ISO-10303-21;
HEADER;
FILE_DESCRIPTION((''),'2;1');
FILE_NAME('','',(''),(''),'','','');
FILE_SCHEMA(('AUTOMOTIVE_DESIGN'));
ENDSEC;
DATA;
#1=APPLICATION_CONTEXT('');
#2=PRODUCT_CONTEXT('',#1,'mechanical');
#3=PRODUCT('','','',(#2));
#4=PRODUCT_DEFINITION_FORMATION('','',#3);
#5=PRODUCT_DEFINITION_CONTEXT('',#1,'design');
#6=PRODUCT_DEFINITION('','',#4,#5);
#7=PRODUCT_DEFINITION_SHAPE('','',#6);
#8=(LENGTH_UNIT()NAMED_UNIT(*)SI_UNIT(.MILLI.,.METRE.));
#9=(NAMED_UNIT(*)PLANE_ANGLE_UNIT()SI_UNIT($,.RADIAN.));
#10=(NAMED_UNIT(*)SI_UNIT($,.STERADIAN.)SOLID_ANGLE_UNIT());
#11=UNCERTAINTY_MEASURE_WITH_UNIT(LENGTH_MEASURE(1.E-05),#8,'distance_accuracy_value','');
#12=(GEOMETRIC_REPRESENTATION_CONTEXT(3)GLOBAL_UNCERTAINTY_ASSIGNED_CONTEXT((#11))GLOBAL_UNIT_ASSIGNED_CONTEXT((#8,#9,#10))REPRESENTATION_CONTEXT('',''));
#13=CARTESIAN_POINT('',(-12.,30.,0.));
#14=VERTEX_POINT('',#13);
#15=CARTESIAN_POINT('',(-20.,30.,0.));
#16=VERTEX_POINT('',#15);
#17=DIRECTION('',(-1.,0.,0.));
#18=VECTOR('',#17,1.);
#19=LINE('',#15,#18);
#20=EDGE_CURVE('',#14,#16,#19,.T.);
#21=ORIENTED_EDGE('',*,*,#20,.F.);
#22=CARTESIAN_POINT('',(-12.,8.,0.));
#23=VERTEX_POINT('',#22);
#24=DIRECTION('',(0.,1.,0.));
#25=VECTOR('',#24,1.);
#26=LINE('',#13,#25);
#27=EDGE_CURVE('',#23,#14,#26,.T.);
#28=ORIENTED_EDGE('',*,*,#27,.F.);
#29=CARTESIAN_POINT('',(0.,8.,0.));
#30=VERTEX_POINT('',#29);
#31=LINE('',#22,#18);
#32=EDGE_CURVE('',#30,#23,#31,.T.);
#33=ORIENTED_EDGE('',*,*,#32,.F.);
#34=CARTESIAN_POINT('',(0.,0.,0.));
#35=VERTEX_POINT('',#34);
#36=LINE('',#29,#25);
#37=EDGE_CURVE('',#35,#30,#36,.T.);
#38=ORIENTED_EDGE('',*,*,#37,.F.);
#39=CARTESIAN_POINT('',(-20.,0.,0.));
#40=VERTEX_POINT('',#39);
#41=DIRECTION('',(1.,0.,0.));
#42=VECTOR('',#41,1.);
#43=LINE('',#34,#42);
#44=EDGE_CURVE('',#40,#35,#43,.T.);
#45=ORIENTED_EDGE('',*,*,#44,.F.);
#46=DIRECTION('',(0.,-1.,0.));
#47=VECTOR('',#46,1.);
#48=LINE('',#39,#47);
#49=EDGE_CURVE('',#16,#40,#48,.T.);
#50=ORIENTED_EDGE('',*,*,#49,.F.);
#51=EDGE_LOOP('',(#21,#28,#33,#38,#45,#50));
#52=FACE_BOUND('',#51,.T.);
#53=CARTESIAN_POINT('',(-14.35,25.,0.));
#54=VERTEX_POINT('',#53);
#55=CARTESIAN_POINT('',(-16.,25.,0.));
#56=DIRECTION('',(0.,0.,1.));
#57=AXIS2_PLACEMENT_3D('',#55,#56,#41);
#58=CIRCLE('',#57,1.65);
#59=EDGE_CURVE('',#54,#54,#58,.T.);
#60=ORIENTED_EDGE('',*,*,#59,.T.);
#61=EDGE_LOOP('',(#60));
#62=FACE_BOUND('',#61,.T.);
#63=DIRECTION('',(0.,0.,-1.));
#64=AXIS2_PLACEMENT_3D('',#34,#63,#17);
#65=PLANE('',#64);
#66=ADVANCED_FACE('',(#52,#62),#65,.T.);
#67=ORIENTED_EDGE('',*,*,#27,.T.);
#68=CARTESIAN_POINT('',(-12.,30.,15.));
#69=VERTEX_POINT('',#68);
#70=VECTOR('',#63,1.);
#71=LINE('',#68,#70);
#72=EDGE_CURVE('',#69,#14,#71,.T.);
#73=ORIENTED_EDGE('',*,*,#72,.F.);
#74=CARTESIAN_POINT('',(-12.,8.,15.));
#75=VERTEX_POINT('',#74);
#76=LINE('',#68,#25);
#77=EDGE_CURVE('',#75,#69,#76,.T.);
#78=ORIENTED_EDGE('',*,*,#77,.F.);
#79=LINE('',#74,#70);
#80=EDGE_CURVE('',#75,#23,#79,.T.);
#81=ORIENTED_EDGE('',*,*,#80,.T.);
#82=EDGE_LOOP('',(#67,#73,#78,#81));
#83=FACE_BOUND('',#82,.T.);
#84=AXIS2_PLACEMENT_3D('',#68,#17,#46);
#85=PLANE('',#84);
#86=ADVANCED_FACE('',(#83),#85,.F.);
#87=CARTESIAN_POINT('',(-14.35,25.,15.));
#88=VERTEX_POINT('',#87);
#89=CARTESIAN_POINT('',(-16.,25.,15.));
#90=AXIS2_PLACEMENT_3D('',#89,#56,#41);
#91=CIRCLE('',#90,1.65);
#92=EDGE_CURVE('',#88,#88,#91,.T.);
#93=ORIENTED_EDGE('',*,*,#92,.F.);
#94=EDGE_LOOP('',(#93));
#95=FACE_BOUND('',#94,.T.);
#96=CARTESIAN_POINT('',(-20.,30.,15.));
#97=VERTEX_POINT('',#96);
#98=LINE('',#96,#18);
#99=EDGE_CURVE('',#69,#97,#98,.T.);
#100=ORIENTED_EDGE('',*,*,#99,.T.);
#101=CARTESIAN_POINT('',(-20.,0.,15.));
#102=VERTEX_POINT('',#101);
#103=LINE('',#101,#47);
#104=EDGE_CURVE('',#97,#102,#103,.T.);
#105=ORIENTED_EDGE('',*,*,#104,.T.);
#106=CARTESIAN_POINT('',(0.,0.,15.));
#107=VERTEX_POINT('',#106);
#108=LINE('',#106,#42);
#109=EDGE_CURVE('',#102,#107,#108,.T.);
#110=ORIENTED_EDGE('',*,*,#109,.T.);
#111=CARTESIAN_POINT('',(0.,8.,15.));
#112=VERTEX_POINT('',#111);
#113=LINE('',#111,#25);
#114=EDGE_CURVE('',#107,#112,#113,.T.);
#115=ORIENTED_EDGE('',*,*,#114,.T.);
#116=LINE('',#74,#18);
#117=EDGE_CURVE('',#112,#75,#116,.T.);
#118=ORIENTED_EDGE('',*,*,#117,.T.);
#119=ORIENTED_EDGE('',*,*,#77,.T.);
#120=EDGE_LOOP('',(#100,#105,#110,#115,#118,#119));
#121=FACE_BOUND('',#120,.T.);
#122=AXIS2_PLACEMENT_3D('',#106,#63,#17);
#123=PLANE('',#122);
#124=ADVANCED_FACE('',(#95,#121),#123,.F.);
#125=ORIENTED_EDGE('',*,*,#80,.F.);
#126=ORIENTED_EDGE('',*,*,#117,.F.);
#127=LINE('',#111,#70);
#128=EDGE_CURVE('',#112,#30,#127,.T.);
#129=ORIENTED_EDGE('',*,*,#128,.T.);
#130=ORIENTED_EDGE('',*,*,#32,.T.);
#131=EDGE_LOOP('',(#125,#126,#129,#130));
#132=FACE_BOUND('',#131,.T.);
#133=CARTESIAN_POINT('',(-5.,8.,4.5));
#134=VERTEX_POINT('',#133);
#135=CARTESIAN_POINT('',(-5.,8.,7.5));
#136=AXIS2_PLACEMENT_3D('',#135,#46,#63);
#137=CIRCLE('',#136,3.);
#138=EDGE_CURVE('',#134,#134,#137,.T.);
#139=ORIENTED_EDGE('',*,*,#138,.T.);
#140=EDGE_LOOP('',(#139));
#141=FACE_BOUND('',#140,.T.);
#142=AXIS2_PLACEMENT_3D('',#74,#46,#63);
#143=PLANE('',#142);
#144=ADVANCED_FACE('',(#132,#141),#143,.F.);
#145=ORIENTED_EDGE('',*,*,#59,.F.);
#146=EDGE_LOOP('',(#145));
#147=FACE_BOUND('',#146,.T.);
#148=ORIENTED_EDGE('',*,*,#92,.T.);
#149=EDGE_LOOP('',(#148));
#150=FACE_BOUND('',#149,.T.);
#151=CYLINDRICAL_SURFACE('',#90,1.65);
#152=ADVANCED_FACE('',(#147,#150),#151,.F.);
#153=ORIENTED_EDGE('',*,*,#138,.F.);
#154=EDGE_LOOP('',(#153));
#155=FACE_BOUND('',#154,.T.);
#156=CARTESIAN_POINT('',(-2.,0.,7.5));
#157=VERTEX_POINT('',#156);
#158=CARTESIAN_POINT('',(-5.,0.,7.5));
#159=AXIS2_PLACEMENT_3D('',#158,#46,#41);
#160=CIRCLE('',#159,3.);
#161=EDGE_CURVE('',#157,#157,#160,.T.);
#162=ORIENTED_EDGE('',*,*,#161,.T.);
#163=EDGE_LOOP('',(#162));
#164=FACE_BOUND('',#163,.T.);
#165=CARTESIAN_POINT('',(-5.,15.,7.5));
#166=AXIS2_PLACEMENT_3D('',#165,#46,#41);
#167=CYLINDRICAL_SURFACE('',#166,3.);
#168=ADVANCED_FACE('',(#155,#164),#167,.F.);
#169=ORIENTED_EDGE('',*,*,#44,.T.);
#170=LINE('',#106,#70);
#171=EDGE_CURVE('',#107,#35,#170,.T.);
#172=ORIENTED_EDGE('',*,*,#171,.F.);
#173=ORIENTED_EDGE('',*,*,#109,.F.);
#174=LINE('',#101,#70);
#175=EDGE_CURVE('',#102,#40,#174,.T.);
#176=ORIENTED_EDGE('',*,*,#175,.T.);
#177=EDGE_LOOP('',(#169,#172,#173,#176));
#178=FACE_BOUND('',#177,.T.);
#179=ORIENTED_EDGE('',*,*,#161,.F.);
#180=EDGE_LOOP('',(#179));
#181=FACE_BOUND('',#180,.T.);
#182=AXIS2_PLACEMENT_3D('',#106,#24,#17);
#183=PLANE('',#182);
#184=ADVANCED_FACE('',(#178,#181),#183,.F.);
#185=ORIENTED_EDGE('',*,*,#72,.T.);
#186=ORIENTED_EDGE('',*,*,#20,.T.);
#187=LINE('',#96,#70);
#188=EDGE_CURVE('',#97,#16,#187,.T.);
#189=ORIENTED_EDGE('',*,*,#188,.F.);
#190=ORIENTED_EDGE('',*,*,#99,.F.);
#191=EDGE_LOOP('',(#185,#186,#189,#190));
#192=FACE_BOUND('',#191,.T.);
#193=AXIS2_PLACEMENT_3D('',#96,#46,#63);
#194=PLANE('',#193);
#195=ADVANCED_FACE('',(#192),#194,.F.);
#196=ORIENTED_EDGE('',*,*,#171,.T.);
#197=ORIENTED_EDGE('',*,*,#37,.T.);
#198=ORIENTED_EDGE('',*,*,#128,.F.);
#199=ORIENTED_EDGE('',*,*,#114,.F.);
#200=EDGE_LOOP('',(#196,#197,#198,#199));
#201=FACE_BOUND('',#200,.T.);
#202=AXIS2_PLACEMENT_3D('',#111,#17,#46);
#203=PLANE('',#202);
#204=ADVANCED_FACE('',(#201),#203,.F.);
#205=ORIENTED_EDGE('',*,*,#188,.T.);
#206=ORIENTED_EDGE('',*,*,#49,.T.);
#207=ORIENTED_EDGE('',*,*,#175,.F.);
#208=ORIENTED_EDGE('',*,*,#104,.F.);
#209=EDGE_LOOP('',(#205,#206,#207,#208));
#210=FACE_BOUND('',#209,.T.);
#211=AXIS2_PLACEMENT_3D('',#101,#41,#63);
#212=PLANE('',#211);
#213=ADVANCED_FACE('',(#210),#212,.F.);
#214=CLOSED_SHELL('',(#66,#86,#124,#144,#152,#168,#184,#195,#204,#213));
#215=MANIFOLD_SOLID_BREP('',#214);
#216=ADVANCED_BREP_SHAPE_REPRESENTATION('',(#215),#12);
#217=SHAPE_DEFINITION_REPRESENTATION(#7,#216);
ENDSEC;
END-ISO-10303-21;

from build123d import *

# Parameters (mm, degrees)
ESTRUSIONE_ESTRUSIONE1_DEPTH = 15
SCHIZZO2_R                   = 3
TAGLIO_ESTRUSIONE1_DEPTH     = 15
FORO_FILETTATO_M4_1_D        = 3.3


with BuildPart() as part:
    # Schizzo1 → Estrusione-Estrusione1 (new body)
    with BuildSketch(Plane.XY):
        Polygon((0, 0), (-20, 0), (-20, 30), (-12, 30), (-12, 8), (0, 8), align=None)
    extrude(amount=ESTRUSIONE_ESTRUSIONE1_DEPTH)

    # Schizzo2 → Taglio-Estrusione1 (cut)
    with BuildSketch(Plane.XZ):
        with Locations((-5, 7.5)):
            Circle(SCHIZZO2_R)
    extrude(amount=-TAGLIO_ESTRUSIONE1_DEPTH, mode=Mode.SUBTRACT)

    # Foro filettato M4-1 (through all)
    with Locations(Plane.XY.offset(15)):
        with Locations((-16, 25)):
            Hole(FORO_FILETTATO_M4_1_D / 2)


solid = part.part
